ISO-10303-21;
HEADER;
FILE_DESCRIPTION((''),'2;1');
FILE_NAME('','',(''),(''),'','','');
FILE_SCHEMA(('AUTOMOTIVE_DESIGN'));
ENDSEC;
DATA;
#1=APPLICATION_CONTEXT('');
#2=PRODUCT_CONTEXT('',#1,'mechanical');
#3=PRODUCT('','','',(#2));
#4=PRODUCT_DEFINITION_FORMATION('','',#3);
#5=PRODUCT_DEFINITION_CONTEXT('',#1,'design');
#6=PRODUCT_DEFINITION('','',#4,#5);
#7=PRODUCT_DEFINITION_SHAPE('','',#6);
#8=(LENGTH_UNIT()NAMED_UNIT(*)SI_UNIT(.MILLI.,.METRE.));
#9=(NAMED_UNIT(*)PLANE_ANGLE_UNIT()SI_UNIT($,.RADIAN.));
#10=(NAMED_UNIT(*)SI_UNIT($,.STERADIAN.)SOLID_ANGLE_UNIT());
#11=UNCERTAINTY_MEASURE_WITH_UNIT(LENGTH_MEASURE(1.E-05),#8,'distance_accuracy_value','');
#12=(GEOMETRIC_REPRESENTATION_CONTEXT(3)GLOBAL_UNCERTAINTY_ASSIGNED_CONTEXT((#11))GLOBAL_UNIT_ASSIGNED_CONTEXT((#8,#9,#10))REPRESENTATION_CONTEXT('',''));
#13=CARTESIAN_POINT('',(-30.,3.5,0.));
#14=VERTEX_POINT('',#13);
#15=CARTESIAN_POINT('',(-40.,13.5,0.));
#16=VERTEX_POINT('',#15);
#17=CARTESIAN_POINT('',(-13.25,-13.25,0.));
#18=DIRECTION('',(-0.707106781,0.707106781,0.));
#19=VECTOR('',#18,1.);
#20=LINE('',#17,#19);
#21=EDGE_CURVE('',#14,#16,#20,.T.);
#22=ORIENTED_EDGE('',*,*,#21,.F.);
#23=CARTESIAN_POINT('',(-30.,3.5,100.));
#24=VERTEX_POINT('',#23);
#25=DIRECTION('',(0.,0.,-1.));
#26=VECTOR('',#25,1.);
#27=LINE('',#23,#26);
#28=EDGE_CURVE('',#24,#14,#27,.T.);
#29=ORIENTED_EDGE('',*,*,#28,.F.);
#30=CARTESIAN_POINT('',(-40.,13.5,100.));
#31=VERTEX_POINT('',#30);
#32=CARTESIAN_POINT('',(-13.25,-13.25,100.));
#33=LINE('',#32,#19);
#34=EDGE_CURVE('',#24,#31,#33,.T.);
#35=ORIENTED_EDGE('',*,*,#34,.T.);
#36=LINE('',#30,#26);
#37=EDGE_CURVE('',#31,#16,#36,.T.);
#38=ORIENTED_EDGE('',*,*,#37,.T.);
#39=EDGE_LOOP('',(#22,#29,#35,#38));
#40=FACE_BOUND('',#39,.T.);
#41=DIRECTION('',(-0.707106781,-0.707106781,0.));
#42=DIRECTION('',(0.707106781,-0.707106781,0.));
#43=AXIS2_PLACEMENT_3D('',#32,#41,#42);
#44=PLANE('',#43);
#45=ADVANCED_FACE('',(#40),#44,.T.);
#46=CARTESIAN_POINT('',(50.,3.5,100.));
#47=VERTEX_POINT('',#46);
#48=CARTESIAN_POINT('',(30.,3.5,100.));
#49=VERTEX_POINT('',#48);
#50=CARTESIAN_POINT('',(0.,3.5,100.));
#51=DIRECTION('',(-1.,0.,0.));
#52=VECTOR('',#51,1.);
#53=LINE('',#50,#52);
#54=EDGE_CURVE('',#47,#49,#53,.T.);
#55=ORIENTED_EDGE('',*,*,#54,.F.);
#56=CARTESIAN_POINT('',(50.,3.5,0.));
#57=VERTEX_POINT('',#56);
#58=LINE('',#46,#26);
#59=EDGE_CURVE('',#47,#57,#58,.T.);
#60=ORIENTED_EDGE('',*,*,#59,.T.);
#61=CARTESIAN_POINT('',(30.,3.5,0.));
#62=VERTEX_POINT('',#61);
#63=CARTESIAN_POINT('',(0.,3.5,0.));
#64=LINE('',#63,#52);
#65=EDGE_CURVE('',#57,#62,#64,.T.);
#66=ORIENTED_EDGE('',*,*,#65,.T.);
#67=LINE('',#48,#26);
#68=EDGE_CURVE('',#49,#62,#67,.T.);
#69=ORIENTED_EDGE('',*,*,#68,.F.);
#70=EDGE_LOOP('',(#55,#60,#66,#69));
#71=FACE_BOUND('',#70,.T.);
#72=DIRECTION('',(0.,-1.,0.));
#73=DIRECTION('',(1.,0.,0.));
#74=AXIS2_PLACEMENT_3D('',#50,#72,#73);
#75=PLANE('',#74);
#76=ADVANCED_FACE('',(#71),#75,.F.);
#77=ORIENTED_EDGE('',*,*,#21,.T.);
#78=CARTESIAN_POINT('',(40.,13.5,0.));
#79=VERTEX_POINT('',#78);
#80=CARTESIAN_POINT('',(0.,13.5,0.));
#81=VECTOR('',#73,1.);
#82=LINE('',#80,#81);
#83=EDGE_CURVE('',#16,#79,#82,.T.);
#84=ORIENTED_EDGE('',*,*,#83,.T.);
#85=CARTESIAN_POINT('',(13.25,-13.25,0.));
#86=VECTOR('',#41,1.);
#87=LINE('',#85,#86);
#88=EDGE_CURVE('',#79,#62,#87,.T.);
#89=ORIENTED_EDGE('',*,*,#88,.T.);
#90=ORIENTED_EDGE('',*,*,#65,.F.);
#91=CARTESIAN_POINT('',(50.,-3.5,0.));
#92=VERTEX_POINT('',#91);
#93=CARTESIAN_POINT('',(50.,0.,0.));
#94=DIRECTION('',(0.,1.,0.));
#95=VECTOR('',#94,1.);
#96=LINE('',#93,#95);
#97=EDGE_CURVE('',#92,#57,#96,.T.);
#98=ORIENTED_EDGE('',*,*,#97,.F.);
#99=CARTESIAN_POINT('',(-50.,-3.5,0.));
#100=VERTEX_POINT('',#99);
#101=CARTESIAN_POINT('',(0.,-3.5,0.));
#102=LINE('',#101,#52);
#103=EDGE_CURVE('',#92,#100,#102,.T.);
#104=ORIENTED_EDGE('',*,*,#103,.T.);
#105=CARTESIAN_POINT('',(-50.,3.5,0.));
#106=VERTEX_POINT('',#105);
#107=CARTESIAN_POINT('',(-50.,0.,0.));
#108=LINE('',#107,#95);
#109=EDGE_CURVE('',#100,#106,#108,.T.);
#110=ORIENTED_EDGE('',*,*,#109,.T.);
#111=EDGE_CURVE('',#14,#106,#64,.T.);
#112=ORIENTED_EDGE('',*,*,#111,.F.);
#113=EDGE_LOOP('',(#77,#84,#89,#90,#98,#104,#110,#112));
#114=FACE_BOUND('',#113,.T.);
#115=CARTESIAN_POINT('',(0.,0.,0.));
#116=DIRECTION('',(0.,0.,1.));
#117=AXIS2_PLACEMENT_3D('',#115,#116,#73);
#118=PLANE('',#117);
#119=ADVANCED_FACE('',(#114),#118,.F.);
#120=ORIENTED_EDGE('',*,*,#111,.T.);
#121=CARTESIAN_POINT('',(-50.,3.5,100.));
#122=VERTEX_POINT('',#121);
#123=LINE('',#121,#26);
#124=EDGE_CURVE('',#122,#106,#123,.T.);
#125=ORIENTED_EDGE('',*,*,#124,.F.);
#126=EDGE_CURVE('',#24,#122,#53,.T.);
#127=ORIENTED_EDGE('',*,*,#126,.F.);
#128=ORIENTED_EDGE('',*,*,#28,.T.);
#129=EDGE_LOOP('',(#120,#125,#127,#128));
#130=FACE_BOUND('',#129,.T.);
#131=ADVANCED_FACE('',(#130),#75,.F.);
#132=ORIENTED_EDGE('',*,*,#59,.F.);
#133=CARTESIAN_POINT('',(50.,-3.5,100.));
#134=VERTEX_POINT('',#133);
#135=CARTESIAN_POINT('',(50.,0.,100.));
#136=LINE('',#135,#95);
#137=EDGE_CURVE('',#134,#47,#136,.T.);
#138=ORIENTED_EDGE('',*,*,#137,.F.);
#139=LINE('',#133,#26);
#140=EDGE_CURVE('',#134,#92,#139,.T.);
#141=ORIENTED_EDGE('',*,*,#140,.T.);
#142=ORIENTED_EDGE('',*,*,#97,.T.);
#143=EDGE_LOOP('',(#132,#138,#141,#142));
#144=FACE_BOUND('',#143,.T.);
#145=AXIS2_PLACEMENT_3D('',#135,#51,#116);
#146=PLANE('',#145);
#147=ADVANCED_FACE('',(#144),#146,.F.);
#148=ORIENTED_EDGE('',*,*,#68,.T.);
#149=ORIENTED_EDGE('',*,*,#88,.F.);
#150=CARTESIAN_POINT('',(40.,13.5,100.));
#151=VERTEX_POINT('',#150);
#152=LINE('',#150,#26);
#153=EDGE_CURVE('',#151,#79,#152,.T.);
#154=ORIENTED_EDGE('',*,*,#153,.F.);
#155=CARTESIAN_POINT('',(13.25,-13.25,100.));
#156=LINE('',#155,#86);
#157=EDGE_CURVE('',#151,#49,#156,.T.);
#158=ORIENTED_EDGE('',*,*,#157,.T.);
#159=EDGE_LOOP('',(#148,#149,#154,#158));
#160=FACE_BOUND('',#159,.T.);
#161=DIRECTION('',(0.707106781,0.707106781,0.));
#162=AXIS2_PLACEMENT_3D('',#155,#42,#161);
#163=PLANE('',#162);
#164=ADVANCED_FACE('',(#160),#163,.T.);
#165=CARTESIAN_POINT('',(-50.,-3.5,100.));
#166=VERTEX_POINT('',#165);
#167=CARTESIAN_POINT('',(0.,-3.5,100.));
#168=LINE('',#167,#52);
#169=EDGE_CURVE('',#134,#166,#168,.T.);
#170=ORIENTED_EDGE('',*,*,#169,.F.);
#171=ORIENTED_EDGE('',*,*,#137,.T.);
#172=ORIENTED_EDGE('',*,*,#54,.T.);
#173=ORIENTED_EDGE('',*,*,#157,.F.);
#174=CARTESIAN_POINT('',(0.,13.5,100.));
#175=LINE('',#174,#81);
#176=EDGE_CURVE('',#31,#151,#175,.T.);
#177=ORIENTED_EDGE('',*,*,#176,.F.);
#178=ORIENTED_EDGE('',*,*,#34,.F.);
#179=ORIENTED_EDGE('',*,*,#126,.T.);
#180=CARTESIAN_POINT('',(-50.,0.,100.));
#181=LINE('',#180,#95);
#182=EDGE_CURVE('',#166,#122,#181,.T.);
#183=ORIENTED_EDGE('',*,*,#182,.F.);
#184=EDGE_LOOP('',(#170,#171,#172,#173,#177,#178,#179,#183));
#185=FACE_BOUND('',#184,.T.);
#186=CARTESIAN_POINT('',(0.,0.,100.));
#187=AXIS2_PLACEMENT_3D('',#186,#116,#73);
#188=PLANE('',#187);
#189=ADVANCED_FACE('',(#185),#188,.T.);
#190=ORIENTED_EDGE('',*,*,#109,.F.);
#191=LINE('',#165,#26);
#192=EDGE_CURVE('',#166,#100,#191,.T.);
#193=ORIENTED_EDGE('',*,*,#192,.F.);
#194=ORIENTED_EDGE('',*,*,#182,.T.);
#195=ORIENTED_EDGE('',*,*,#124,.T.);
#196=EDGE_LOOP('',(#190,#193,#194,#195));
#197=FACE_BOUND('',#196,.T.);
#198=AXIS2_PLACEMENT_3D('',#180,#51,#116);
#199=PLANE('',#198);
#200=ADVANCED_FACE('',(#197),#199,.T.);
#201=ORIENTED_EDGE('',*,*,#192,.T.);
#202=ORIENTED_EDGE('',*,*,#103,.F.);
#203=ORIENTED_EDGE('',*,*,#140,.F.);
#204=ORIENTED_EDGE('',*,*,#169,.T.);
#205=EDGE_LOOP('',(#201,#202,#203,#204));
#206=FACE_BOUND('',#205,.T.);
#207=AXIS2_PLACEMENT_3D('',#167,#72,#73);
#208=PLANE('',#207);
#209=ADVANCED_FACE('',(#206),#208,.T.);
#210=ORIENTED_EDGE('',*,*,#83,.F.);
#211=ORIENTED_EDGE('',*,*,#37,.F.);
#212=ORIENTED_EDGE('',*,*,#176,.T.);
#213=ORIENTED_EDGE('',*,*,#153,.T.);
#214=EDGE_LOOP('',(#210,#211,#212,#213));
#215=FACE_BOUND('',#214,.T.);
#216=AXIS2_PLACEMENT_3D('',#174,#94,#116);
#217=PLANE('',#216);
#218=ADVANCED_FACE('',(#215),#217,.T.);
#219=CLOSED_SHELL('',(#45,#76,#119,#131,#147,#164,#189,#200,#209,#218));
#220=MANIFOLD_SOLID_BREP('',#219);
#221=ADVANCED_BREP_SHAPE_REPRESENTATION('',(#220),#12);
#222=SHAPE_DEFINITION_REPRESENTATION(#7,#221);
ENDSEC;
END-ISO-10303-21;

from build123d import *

# Parameters (mm, degrees)
CROQUIS1_W              = 100
CROQUIS1_H              = 7
SALIENTE_EXTRUIR1_DEPTH = 100


with BuildPart() as part:
    # Croquis1 → Saliente-Extruir1 (new body)
    with BuildSketch(Plane.XY):
        Polygon((-40, 13.5), (-30, 3.5), (30, 3.5), (40, 13.5), align=None)
        Rectangle(CROQUIS1_W, CROQUIS1_H)
    extrude(amount=SALIENTE_EXTRUIR1_DEPTH)


solid = part.part
